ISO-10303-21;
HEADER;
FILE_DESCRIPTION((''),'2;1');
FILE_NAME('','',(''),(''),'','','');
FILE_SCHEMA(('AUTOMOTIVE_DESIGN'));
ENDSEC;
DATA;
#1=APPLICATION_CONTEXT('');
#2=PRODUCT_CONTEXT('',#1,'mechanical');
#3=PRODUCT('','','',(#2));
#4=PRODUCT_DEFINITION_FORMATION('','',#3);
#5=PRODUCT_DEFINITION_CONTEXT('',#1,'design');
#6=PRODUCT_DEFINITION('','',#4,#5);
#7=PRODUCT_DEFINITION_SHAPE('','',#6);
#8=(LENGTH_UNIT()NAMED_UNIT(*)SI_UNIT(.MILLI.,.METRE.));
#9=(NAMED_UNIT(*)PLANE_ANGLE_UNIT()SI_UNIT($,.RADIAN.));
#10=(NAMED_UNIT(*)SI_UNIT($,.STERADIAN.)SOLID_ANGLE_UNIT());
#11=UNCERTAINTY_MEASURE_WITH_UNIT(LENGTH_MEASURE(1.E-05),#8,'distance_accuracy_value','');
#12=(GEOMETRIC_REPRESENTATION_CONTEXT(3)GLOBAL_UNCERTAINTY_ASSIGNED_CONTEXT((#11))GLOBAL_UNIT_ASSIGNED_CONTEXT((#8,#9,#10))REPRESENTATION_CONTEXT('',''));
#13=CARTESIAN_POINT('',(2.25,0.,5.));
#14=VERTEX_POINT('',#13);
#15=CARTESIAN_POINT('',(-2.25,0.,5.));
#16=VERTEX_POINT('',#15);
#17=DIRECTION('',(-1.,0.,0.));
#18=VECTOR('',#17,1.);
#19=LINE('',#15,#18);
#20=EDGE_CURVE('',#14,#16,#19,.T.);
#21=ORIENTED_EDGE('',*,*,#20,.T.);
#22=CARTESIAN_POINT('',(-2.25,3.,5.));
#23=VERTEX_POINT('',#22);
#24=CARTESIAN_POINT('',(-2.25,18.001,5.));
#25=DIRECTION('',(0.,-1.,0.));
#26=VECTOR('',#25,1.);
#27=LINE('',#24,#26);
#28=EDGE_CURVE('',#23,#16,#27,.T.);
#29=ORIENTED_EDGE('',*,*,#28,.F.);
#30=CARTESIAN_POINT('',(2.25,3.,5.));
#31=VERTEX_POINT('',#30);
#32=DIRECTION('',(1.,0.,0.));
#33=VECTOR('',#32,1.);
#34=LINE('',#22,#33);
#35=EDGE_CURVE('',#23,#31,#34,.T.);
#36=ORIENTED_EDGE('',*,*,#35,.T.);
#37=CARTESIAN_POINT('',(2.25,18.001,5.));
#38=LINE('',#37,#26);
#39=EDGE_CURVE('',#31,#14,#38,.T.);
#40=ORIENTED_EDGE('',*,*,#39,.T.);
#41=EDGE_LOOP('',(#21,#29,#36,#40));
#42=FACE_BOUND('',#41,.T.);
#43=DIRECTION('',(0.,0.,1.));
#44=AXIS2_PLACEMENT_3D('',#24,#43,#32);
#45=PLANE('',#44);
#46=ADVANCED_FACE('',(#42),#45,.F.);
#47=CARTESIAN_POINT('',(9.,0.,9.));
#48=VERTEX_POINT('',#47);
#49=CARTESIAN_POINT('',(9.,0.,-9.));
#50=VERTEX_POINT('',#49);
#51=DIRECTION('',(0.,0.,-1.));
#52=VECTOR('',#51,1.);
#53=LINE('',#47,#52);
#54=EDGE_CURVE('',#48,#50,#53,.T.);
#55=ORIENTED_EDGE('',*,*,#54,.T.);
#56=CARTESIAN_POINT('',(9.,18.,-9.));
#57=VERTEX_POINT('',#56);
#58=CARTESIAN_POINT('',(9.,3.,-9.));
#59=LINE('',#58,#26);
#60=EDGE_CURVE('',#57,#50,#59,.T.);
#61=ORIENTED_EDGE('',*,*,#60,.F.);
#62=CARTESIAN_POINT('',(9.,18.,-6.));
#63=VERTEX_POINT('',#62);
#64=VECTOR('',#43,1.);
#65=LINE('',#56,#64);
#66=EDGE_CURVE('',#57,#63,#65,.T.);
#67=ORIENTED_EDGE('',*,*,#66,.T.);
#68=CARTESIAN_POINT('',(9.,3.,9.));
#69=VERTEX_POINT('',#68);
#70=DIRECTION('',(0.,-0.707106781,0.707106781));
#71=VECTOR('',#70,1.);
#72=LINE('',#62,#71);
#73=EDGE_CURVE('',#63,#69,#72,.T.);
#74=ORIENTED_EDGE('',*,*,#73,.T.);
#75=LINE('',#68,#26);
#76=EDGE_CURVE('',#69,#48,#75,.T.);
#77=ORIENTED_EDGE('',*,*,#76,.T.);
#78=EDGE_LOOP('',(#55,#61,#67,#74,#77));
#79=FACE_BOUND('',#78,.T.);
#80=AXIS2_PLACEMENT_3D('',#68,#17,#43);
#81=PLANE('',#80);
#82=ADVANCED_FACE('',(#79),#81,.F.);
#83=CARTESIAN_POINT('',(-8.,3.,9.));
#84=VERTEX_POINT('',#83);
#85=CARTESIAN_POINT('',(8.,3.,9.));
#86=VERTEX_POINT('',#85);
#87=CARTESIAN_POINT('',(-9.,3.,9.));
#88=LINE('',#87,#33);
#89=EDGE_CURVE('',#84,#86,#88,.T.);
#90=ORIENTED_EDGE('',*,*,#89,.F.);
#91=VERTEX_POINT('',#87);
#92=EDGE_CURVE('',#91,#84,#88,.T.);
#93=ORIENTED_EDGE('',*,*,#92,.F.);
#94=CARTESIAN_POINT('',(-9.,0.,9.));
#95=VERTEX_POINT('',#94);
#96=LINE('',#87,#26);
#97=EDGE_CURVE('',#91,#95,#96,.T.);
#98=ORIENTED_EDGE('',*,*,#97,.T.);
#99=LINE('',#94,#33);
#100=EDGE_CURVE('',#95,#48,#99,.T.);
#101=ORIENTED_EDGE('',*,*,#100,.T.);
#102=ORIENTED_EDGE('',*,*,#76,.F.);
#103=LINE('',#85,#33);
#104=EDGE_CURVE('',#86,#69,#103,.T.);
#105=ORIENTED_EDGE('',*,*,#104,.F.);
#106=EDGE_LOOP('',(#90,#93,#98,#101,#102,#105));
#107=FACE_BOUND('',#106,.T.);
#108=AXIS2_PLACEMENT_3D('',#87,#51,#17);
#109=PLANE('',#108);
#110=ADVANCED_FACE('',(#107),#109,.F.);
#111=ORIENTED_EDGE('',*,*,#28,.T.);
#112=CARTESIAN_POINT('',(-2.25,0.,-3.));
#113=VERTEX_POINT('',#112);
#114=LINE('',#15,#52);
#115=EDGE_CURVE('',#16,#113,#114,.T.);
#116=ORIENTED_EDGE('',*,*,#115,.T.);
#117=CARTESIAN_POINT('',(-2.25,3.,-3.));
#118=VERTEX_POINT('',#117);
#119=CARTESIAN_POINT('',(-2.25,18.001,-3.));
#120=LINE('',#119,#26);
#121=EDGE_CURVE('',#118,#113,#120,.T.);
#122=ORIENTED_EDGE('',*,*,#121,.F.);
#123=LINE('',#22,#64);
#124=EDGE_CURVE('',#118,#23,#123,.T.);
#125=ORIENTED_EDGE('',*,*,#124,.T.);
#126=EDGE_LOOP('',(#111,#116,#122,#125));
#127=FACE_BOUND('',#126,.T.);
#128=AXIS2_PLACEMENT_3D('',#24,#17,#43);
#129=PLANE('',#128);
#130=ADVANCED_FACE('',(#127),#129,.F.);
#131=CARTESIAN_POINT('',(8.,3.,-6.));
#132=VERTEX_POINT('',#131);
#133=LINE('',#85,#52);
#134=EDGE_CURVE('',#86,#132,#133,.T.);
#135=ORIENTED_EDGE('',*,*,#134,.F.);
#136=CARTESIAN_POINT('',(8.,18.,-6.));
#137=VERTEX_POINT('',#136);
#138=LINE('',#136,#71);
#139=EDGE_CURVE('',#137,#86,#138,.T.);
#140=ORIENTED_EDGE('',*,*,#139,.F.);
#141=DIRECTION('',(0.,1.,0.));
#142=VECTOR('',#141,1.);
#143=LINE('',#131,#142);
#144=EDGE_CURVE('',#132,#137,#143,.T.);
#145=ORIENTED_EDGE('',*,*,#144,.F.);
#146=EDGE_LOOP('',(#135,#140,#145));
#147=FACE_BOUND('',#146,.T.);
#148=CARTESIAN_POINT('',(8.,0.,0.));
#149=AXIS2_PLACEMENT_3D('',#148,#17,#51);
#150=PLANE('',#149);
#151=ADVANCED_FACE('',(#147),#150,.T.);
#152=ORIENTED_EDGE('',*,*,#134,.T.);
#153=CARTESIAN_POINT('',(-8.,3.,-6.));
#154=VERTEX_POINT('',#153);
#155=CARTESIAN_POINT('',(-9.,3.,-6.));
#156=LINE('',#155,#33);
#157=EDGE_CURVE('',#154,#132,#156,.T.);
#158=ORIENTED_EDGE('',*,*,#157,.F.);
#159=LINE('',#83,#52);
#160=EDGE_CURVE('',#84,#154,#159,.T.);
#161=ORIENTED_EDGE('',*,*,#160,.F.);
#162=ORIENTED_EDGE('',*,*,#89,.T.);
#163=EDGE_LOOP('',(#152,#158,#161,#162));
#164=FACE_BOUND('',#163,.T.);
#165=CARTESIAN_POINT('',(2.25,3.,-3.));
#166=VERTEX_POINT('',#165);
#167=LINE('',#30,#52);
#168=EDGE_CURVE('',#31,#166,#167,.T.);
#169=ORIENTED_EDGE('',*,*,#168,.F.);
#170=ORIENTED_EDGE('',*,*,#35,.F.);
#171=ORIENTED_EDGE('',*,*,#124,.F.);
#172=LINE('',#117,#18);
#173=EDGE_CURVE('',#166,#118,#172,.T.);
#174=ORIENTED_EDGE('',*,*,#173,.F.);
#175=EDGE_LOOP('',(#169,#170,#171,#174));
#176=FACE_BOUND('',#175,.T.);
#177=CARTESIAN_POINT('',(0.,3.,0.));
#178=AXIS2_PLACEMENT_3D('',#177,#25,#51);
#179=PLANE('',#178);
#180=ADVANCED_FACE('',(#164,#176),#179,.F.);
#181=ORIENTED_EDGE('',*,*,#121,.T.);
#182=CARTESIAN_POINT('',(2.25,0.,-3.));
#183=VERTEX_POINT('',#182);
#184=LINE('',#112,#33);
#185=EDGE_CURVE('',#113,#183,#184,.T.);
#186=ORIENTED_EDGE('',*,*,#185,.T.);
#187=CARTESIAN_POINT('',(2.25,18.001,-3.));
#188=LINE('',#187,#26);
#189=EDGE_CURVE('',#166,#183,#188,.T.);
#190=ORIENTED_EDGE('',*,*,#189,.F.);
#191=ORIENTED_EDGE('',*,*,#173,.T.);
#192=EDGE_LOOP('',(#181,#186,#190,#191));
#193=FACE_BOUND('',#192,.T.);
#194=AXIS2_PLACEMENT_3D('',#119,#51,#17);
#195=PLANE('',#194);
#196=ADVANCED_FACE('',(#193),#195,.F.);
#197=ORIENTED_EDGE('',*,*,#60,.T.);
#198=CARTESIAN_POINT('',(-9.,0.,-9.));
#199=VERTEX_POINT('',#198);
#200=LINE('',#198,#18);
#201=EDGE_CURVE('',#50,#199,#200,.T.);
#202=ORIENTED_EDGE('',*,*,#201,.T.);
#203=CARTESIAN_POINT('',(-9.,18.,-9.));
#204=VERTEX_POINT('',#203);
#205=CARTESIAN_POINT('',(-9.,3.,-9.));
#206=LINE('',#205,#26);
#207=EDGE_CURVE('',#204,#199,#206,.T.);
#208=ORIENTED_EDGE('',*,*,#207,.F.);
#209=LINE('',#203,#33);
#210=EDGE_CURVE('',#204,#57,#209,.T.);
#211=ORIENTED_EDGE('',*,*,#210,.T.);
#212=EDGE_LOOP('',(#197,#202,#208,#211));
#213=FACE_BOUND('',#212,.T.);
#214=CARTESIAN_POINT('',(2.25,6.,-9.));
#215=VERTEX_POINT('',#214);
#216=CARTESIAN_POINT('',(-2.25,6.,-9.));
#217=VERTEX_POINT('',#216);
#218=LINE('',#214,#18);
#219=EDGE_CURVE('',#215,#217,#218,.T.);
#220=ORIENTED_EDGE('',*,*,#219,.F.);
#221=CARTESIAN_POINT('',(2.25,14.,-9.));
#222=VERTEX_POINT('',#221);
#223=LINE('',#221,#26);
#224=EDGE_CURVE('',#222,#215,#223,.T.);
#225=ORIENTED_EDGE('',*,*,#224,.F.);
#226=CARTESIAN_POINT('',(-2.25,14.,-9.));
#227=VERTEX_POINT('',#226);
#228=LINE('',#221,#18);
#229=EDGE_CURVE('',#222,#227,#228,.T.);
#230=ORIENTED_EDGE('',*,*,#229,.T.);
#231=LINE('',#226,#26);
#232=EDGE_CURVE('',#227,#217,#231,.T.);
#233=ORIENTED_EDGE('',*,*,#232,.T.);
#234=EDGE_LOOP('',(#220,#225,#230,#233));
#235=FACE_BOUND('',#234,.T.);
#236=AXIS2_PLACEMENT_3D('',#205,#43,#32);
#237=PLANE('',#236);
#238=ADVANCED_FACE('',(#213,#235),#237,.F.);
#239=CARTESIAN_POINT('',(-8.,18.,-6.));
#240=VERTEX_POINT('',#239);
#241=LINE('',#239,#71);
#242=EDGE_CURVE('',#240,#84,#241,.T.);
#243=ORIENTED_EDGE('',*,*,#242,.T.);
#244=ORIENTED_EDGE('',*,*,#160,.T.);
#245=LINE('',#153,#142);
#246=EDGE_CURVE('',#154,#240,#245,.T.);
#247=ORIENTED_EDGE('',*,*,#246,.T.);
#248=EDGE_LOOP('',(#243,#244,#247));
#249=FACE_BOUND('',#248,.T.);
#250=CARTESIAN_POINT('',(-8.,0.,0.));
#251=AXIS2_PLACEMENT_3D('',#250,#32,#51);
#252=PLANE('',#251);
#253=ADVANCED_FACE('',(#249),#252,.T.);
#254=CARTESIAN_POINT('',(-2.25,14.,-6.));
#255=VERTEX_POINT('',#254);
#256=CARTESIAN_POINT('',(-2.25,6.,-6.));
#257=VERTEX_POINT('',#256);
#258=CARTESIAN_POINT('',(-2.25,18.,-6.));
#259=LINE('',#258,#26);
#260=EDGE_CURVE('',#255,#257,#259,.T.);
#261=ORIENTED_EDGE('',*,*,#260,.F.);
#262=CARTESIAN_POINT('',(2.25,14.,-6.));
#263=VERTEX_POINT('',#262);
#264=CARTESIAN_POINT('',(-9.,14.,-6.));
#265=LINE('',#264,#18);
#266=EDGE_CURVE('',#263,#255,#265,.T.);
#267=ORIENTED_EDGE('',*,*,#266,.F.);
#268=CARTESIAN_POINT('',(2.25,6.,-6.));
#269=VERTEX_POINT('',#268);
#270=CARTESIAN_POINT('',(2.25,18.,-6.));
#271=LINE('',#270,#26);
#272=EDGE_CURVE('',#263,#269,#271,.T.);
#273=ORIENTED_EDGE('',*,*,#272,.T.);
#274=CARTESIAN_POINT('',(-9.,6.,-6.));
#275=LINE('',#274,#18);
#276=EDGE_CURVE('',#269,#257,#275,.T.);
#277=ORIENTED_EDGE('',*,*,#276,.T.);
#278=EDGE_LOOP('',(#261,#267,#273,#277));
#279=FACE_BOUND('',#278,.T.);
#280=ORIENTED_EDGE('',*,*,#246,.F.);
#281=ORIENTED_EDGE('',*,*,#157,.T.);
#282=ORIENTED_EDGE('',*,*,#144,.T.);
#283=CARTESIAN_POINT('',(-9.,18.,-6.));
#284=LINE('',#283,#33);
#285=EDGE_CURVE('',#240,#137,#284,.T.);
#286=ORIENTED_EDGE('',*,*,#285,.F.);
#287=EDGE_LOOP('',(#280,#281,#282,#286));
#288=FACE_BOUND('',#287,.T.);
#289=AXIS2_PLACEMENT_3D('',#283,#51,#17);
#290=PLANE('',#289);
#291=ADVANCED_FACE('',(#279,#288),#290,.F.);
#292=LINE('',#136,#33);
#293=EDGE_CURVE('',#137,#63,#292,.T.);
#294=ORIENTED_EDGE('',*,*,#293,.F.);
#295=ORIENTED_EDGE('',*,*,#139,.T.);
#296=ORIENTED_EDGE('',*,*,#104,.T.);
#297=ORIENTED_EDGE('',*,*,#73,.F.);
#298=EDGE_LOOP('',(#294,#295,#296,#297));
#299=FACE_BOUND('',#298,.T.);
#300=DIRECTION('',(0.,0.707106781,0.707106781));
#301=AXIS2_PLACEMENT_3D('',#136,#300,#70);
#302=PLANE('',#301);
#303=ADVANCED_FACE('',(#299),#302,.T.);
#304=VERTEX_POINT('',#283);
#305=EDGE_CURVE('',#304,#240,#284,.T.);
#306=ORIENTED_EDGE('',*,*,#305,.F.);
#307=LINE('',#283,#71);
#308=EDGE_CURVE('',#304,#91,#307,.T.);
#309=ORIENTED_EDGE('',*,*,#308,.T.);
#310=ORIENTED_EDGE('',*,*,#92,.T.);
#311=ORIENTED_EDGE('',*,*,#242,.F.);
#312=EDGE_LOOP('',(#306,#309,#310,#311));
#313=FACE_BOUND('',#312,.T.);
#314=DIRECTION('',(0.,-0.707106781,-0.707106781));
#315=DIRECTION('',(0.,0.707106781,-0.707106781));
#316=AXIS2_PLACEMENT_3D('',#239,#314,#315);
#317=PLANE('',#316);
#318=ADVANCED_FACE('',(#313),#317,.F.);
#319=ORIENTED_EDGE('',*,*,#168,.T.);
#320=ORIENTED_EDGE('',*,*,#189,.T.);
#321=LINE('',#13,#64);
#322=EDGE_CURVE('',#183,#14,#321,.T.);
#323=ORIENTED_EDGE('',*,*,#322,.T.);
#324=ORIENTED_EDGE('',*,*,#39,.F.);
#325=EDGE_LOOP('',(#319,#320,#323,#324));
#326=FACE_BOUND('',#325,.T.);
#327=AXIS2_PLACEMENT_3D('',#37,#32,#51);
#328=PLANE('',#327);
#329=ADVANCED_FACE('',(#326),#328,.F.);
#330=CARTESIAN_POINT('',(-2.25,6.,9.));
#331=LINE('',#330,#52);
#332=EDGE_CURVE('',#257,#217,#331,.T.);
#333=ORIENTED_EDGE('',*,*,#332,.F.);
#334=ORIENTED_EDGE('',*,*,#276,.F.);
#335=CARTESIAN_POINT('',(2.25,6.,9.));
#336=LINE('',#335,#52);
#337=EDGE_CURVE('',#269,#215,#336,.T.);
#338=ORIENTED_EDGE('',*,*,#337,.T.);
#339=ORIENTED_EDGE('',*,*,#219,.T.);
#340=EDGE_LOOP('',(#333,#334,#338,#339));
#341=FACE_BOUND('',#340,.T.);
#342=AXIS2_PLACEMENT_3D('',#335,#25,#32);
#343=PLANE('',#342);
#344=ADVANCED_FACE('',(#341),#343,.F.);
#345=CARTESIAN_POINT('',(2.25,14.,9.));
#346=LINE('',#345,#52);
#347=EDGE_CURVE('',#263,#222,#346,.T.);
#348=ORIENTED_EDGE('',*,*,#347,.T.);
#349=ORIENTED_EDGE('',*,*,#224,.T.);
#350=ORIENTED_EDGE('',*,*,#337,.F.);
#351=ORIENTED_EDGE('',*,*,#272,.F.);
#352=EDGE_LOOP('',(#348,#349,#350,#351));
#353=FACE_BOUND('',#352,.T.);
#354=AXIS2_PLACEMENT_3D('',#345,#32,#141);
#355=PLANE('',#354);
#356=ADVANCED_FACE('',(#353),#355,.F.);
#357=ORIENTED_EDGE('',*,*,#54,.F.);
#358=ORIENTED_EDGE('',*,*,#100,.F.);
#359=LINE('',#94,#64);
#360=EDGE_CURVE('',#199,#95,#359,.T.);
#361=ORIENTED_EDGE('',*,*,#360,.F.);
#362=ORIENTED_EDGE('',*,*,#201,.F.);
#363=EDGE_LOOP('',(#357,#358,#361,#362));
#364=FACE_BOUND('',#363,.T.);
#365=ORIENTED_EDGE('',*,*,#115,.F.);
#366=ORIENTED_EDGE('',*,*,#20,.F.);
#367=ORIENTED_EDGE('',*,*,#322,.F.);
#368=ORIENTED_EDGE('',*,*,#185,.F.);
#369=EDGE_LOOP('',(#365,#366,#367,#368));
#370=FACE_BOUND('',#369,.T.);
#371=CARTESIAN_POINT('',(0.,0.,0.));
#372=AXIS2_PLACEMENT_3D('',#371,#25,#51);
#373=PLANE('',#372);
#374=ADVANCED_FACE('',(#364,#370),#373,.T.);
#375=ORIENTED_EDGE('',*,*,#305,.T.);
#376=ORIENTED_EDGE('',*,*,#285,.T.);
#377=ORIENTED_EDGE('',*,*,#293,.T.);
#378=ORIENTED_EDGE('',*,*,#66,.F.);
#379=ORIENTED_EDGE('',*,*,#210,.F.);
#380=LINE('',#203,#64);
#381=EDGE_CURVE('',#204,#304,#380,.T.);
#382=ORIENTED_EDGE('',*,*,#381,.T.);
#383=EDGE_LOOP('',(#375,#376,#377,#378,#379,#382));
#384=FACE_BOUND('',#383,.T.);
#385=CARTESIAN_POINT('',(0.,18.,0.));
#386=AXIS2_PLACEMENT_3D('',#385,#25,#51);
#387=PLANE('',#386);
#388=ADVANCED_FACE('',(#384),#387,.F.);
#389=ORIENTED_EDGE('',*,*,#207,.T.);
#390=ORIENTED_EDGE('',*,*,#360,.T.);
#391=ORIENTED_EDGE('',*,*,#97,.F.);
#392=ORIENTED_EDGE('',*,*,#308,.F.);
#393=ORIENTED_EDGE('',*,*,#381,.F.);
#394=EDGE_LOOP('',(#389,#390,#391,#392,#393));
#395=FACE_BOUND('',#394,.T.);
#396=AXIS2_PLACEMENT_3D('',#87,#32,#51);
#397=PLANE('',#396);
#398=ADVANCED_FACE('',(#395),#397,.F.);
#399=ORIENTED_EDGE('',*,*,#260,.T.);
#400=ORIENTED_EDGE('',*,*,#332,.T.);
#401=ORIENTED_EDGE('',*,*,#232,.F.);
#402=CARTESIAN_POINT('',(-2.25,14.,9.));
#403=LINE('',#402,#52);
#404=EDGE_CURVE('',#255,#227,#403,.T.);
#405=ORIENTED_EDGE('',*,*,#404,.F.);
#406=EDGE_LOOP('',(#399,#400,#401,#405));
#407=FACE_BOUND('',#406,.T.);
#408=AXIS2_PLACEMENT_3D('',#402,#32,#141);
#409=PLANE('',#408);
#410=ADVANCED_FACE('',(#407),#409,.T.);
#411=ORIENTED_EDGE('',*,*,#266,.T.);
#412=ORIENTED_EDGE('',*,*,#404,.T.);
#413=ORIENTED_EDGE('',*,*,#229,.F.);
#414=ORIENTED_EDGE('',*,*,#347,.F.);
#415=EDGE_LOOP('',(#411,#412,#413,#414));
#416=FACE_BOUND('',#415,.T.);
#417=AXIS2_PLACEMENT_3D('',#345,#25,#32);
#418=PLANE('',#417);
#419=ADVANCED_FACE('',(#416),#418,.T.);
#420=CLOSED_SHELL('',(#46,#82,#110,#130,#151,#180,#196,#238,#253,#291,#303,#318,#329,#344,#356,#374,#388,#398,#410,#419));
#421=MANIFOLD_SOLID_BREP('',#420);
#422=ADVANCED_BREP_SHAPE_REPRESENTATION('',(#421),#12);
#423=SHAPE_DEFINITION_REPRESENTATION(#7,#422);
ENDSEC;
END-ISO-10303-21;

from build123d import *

# Parameters (mm, degrees)
SKETCH1_W           = 18
SKETCH1_H           = 18
BOSS_EXTRUDE1_DEPTH = 3
SKETCH3_W           = 4.5
SKETCH3_H           = 8
CUT_EXTRUDE1_DEPTH  = 14.076696831
SKETCH6_W           = 18
SKETCH6_H           = 3
BOSS_EXTRUDE3_DEPTH = 15
SKETCH7_W           = 4.5
SKETCH7_H           = 8
CUT_EXTRUDE2_DEPTH  = 28
BOSS_EXTRUDE4_DEPTH = 1
CUT_EXTRUDE3_REACH  = 24.045
SKETCH10_W          = 4.5
SKETCH10_H          = 8


with BuildPart() as part:
    # Sketch1 → Boss-Extrude1 (new body)
    with BuildSketch(Plane(origin=(0, 0, 0), x_dir=(1, 0, 0), z_dir=(0, 1, 0))):
        Rectangle(SKETCH1_W, SKETCH1_H)
    boss_extrude1 = extrude(amount=BOSS_EXTRUDE1_DEPTH)

    # Sketch3 → Cut-Extrude1 (cut, through all)
    with BuildSketch(Plane.XZ):
        with Locations((0, 1)):
            Rectangle(SKETCH3_W, SKETCH3_H)
    extrude(amount=-CUT_EXTRUDE1_DEPTH, mode=Mode.SUBTRACT)

    # Sketch6 → Boss-Extrude3 (add)
    with BuildSketch(Plane(origin=(0, 3, 0), x_dir=(1, 0, 0), z_dir=(0, 1, 0))):
        with Locations((0, 7.5)):
            Rectangle(SKETCH6_W, SKETCH6_H)
    extrude(amount=BOSS_EXTRUDE3_DEPTH)

    # Sketch7 → Cut-Extrude2 (cut, through all)
    with BuildSketch(Plane(origin=(0, 0, -9), x_dir=(-1, 0, 0), z_dir=(0, 0, -1))):
        with Locations((0, 10)):
            Rectangle(SKETCH7_W, SKETCH7_H)
    extrude(amount=-CUT_EXTRUDE2_DEPTH, mode=Mode.SUBTRACT)

    # Sketch9 → Boss-Extrude4 (add)
    with BuildSketch(Plane.ZY.offset(9)):
        Polygon((-6, 18), (9, 3), (-6, 3), align=None)
    boss_extrude4 = extrude(amount=-BOSS_EXTRUDE4_DEPTH)

    # Mirror1: Boss-Extrude1, Boss-Extrude4 across plane
    add(boss_extrude1.mirror(Plane.ZY))
    add(boss_extrude4.mirror(Plane.ZY))

    # Sketch10 → Cut-Extrude3 (cut, up to next)
    with BuildSketch(Plane.XZ, mode=Mode.PRIVATE) as cut_extrude3_sk1:
        with Locations((0, 1)):
            Rectangle(SKETCH10_W, SKETCH10_H)
    cut_extrude3_tool1 = extrude(cut_extrude3_sk1.sketch, amount=-CUT_EXTRUDE3_REACH, mode=Mode.PRIVATE) & part.part
    add(cut_extrude3_tool1.solids().sort_by_distance((0, 0, 1))[0], mode=Mode.SUBTRACT)


solid = part.part
